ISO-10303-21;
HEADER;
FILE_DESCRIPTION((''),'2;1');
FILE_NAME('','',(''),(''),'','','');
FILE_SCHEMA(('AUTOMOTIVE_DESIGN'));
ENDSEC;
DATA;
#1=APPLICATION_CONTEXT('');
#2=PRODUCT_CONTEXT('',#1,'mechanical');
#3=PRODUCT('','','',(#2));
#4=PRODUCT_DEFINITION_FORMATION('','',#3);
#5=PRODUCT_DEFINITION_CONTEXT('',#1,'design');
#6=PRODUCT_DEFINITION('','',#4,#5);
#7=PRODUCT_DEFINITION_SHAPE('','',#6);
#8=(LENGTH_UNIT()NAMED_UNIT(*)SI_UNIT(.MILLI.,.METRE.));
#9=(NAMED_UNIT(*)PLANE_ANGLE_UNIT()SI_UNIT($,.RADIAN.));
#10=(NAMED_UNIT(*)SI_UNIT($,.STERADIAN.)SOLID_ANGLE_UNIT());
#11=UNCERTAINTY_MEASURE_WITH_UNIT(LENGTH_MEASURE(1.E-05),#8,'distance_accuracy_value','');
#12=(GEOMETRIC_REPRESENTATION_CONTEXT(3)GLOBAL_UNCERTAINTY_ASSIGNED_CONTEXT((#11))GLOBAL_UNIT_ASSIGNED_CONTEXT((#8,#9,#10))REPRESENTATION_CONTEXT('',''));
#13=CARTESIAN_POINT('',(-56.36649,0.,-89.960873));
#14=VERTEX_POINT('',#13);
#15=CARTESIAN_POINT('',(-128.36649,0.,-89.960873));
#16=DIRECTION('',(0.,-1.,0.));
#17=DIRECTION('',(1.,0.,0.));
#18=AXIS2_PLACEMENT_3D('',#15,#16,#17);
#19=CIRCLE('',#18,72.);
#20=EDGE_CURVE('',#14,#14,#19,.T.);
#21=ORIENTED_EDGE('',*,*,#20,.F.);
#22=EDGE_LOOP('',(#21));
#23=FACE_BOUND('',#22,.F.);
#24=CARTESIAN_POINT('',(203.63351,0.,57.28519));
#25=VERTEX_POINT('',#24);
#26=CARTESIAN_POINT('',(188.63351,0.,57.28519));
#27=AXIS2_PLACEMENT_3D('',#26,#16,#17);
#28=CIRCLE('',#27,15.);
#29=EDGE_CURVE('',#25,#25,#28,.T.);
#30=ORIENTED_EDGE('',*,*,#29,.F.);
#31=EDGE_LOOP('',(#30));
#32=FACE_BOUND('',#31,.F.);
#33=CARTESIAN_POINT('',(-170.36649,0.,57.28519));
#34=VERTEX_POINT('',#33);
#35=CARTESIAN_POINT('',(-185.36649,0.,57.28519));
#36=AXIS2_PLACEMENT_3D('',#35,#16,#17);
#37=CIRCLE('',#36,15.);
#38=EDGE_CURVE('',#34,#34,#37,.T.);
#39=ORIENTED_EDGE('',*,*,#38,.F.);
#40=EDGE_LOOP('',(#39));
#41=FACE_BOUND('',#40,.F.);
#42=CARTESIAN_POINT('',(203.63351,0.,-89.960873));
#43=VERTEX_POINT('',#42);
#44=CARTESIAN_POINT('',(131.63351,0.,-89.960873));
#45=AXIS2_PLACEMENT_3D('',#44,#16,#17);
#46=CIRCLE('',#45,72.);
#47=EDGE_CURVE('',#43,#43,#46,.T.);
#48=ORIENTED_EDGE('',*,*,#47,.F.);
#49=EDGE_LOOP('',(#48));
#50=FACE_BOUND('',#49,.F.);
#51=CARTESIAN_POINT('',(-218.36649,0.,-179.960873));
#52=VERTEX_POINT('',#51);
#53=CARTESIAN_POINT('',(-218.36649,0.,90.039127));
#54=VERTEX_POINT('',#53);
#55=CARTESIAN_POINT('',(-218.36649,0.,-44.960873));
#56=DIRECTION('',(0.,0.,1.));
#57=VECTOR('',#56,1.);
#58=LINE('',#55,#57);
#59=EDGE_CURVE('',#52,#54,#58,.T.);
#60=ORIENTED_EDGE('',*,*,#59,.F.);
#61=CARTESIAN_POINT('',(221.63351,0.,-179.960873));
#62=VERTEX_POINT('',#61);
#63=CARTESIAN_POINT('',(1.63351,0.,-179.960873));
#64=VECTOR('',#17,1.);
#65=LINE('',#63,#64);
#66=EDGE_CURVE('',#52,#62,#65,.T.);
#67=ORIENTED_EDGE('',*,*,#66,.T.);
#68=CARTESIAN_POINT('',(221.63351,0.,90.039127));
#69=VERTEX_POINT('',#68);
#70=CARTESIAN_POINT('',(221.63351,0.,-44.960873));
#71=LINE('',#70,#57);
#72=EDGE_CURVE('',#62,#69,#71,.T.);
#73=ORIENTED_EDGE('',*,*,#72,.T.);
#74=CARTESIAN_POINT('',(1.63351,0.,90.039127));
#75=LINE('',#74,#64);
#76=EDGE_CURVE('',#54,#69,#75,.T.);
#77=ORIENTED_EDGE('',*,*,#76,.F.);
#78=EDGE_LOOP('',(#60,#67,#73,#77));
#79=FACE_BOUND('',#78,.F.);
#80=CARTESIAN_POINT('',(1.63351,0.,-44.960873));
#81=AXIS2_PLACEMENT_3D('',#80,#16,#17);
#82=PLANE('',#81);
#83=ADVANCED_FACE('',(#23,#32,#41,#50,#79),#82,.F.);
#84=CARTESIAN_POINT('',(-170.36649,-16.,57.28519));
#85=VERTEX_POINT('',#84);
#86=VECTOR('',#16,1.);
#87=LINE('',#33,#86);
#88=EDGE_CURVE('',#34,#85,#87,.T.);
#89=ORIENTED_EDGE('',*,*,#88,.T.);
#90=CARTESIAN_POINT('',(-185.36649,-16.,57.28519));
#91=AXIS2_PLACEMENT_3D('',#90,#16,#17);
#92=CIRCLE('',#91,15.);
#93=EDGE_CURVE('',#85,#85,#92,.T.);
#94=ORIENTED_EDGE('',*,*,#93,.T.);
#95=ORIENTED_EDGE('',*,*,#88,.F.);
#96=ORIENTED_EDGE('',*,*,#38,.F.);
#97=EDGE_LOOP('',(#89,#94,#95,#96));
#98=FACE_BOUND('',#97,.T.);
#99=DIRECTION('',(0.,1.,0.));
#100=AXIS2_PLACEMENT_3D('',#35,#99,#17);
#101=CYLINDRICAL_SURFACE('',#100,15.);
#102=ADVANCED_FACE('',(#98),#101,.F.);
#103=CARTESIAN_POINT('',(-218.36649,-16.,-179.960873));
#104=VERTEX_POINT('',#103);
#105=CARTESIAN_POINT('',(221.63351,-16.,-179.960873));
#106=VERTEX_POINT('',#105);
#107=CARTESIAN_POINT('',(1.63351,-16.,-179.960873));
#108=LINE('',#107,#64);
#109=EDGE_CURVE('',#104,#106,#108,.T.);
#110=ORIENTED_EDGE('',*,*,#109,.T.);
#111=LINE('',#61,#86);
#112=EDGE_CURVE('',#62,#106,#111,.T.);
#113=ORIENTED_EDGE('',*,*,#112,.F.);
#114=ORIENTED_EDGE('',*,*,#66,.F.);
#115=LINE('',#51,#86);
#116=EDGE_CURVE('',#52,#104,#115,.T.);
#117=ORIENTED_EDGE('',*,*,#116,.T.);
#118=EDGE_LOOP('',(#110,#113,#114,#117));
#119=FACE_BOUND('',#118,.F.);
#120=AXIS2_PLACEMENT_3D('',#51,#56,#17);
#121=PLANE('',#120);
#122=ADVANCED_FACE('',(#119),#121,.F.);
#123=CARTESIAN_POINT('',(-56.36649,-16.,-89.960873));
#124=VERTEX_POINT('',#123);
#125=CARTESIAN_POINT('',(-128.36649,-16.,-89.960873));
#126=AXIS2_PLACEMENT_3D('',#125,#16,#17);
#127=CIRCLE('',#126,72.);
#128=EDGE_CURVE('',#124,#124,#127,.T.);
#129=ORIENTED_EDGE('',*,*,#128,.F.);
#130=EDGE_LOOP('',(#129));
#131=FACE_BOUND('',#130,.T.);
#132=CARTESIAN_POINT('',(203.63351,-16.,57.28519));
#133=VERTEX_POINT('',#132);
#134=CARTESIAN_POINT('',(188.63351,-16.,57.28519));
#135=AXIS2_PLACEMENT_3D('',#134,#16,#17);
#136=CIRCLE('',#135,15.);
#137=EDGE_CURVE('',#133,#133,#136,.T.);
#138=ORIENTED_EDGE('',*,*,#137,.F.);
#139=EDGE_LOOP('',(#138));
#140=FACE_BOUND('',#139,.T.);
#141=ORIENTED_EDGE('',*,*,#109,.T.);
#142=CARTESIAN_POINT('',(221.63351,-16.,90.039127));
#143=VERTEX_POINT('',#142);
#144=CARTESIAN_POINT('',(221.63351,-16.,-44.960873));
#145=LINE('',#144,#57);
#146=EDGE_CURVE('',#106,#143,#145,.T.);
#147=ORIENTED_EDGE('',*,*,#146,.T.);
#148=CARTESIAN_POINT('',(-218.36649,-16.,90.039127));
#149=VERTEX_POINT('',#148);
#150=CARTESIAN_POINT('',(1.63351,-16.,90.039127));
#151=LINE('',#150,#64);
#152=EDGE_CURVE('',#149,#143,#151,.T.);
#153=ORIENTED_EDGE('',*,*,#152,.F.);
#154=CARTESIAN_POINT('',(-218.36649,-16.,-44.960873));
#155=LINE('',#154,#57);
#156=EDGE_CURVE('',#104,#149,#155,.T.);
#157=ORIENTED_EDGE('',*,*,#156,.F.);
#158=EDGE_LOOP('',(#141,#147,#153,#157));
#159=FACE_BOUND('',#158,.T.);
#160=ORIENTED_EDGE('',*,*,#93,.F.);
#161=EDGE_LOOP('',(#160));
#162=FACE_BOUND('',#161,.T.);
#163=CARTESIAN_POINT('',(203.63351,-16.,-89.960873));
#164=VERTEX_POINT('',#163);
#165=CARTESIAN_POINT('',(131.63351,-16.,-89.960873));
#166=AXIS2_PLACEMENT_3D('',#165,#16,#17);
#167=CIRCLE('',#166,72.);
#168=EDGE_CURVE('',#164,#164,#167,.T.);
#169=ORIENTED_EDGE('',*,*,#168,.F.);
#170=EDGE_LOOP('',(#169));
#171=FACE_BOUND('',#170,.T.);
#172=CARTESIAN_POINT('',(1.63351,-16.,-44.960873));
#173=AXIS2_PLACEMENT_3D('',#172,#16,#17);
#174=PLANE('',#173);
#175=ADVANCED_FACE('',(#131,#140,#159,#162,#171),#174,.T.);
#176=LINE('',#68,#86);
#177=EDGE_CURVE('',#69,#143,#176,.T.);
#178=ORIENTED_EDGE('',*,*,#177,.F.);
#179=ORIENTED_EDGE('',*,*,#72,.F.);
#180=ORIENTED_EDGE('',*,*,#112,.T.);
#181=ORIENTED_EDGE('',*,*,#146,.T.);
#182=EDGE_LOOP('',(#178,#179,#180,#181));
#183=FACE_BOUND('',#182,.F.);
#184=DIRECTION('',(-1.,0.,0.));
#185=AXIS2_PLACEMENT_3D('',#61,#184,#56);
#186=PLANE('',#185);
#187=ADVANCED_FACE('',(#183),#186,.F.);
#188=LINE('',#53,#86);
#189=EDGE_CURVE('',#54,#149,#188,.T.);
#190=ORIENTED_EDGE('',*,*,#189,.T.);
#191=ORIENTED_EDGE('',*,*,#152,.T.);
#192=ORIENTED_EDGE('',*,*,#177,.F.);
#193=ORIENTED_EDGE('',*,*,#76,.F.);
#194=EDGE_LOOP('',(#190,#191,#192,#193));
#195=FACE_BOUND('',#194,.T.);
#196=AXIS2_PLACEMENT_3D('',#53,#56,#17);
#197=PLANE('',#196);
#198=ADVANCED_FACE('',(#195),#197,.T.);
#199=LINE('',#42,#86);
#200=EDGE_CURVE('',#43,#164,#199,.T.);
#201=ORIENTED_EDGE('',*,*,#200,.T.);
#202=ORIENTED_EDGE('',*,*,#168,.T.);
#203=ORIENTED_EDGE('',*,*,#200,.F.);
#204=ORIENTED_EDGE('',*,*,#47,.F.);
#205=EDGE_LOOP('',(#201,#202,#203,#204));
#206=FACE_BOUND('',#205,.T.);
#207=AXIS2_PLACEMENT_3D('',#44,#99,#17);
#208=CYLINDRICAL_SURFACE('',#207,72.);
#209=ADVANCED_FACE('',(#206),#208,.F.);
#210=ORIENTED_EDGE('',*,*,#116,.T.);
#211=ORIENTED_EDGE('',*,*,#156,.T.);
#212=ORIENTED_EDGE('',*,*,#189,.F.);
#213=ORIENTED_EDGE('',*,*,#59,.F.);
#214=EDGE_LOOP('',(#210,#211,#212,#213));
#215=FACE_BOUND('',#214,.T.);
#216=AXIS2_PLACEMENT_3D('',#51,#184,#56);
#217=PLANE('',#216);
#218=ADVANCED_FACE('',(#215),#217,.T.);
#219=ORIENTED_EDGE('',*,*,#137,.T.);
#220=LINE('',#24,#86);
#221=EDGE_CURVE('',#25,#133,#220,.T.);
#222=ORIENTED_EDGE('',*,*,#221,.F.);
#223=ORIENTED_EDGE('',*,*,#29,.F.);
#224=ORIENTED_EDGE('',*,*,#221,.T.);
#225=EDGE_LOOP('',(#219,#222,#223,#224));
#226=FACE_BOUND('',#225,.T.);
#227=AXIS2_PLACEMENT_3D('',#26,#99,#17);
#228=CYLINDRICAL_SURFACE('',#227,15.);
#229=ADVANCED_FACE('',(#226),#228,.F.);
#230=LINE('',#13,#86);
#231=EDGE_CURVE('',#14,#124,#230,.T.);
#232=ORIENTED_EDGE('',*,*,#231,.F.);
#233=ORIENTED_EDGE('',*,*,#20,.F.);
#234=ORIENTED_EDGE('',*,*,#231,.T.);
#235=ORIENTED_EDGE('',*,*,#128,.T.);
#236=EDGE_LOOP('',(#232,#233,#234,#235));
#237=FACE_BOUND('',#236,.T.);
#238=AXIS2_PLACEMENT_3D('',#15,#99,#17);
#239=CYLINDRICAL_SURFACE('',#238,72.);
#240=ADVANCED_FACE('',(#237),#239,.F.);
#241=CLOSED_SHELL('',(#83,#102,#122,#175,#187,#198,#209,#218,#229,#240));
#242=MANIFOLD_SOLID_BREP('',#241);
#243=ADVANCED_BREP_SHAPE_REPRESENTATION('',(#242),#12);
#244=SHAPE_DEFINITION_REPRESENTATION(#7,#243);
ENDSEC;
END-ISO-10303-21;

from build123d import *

# Parameters (mm, degrees)
F0_W     = 440
F0_H     = 270
F0_R     = 72
F0_R_2   = 15
F1_DEPTH = 16


with BuildPart() as f1:
    # F0 (on Front) → F1 (new body)
    with BuildSketch(Plane.XZ):
        with Locations((1.63351, -44.960873)):
            Rectangle(F0_W, F0_H)
        with Locations((-128.36649, -89.960873)):
            Circle(F0_R, mode=Mode.SUBTRACT)
        with Locations((131.63351, -89.960873)):
            Circle(F0_R, mode=Mode.SUBTRACT)
        with Locations((-185.36649, 57.28519)):
            Circle(F0_R_2, mode=Mode.SUBTRACT)
        with Locations((188.63351, 57.28519)):
            Circle(F0_R_2, mode=Mode.SUBTRACT)
    extrude(amount=F1_DEPTH)


solid = f1.part
